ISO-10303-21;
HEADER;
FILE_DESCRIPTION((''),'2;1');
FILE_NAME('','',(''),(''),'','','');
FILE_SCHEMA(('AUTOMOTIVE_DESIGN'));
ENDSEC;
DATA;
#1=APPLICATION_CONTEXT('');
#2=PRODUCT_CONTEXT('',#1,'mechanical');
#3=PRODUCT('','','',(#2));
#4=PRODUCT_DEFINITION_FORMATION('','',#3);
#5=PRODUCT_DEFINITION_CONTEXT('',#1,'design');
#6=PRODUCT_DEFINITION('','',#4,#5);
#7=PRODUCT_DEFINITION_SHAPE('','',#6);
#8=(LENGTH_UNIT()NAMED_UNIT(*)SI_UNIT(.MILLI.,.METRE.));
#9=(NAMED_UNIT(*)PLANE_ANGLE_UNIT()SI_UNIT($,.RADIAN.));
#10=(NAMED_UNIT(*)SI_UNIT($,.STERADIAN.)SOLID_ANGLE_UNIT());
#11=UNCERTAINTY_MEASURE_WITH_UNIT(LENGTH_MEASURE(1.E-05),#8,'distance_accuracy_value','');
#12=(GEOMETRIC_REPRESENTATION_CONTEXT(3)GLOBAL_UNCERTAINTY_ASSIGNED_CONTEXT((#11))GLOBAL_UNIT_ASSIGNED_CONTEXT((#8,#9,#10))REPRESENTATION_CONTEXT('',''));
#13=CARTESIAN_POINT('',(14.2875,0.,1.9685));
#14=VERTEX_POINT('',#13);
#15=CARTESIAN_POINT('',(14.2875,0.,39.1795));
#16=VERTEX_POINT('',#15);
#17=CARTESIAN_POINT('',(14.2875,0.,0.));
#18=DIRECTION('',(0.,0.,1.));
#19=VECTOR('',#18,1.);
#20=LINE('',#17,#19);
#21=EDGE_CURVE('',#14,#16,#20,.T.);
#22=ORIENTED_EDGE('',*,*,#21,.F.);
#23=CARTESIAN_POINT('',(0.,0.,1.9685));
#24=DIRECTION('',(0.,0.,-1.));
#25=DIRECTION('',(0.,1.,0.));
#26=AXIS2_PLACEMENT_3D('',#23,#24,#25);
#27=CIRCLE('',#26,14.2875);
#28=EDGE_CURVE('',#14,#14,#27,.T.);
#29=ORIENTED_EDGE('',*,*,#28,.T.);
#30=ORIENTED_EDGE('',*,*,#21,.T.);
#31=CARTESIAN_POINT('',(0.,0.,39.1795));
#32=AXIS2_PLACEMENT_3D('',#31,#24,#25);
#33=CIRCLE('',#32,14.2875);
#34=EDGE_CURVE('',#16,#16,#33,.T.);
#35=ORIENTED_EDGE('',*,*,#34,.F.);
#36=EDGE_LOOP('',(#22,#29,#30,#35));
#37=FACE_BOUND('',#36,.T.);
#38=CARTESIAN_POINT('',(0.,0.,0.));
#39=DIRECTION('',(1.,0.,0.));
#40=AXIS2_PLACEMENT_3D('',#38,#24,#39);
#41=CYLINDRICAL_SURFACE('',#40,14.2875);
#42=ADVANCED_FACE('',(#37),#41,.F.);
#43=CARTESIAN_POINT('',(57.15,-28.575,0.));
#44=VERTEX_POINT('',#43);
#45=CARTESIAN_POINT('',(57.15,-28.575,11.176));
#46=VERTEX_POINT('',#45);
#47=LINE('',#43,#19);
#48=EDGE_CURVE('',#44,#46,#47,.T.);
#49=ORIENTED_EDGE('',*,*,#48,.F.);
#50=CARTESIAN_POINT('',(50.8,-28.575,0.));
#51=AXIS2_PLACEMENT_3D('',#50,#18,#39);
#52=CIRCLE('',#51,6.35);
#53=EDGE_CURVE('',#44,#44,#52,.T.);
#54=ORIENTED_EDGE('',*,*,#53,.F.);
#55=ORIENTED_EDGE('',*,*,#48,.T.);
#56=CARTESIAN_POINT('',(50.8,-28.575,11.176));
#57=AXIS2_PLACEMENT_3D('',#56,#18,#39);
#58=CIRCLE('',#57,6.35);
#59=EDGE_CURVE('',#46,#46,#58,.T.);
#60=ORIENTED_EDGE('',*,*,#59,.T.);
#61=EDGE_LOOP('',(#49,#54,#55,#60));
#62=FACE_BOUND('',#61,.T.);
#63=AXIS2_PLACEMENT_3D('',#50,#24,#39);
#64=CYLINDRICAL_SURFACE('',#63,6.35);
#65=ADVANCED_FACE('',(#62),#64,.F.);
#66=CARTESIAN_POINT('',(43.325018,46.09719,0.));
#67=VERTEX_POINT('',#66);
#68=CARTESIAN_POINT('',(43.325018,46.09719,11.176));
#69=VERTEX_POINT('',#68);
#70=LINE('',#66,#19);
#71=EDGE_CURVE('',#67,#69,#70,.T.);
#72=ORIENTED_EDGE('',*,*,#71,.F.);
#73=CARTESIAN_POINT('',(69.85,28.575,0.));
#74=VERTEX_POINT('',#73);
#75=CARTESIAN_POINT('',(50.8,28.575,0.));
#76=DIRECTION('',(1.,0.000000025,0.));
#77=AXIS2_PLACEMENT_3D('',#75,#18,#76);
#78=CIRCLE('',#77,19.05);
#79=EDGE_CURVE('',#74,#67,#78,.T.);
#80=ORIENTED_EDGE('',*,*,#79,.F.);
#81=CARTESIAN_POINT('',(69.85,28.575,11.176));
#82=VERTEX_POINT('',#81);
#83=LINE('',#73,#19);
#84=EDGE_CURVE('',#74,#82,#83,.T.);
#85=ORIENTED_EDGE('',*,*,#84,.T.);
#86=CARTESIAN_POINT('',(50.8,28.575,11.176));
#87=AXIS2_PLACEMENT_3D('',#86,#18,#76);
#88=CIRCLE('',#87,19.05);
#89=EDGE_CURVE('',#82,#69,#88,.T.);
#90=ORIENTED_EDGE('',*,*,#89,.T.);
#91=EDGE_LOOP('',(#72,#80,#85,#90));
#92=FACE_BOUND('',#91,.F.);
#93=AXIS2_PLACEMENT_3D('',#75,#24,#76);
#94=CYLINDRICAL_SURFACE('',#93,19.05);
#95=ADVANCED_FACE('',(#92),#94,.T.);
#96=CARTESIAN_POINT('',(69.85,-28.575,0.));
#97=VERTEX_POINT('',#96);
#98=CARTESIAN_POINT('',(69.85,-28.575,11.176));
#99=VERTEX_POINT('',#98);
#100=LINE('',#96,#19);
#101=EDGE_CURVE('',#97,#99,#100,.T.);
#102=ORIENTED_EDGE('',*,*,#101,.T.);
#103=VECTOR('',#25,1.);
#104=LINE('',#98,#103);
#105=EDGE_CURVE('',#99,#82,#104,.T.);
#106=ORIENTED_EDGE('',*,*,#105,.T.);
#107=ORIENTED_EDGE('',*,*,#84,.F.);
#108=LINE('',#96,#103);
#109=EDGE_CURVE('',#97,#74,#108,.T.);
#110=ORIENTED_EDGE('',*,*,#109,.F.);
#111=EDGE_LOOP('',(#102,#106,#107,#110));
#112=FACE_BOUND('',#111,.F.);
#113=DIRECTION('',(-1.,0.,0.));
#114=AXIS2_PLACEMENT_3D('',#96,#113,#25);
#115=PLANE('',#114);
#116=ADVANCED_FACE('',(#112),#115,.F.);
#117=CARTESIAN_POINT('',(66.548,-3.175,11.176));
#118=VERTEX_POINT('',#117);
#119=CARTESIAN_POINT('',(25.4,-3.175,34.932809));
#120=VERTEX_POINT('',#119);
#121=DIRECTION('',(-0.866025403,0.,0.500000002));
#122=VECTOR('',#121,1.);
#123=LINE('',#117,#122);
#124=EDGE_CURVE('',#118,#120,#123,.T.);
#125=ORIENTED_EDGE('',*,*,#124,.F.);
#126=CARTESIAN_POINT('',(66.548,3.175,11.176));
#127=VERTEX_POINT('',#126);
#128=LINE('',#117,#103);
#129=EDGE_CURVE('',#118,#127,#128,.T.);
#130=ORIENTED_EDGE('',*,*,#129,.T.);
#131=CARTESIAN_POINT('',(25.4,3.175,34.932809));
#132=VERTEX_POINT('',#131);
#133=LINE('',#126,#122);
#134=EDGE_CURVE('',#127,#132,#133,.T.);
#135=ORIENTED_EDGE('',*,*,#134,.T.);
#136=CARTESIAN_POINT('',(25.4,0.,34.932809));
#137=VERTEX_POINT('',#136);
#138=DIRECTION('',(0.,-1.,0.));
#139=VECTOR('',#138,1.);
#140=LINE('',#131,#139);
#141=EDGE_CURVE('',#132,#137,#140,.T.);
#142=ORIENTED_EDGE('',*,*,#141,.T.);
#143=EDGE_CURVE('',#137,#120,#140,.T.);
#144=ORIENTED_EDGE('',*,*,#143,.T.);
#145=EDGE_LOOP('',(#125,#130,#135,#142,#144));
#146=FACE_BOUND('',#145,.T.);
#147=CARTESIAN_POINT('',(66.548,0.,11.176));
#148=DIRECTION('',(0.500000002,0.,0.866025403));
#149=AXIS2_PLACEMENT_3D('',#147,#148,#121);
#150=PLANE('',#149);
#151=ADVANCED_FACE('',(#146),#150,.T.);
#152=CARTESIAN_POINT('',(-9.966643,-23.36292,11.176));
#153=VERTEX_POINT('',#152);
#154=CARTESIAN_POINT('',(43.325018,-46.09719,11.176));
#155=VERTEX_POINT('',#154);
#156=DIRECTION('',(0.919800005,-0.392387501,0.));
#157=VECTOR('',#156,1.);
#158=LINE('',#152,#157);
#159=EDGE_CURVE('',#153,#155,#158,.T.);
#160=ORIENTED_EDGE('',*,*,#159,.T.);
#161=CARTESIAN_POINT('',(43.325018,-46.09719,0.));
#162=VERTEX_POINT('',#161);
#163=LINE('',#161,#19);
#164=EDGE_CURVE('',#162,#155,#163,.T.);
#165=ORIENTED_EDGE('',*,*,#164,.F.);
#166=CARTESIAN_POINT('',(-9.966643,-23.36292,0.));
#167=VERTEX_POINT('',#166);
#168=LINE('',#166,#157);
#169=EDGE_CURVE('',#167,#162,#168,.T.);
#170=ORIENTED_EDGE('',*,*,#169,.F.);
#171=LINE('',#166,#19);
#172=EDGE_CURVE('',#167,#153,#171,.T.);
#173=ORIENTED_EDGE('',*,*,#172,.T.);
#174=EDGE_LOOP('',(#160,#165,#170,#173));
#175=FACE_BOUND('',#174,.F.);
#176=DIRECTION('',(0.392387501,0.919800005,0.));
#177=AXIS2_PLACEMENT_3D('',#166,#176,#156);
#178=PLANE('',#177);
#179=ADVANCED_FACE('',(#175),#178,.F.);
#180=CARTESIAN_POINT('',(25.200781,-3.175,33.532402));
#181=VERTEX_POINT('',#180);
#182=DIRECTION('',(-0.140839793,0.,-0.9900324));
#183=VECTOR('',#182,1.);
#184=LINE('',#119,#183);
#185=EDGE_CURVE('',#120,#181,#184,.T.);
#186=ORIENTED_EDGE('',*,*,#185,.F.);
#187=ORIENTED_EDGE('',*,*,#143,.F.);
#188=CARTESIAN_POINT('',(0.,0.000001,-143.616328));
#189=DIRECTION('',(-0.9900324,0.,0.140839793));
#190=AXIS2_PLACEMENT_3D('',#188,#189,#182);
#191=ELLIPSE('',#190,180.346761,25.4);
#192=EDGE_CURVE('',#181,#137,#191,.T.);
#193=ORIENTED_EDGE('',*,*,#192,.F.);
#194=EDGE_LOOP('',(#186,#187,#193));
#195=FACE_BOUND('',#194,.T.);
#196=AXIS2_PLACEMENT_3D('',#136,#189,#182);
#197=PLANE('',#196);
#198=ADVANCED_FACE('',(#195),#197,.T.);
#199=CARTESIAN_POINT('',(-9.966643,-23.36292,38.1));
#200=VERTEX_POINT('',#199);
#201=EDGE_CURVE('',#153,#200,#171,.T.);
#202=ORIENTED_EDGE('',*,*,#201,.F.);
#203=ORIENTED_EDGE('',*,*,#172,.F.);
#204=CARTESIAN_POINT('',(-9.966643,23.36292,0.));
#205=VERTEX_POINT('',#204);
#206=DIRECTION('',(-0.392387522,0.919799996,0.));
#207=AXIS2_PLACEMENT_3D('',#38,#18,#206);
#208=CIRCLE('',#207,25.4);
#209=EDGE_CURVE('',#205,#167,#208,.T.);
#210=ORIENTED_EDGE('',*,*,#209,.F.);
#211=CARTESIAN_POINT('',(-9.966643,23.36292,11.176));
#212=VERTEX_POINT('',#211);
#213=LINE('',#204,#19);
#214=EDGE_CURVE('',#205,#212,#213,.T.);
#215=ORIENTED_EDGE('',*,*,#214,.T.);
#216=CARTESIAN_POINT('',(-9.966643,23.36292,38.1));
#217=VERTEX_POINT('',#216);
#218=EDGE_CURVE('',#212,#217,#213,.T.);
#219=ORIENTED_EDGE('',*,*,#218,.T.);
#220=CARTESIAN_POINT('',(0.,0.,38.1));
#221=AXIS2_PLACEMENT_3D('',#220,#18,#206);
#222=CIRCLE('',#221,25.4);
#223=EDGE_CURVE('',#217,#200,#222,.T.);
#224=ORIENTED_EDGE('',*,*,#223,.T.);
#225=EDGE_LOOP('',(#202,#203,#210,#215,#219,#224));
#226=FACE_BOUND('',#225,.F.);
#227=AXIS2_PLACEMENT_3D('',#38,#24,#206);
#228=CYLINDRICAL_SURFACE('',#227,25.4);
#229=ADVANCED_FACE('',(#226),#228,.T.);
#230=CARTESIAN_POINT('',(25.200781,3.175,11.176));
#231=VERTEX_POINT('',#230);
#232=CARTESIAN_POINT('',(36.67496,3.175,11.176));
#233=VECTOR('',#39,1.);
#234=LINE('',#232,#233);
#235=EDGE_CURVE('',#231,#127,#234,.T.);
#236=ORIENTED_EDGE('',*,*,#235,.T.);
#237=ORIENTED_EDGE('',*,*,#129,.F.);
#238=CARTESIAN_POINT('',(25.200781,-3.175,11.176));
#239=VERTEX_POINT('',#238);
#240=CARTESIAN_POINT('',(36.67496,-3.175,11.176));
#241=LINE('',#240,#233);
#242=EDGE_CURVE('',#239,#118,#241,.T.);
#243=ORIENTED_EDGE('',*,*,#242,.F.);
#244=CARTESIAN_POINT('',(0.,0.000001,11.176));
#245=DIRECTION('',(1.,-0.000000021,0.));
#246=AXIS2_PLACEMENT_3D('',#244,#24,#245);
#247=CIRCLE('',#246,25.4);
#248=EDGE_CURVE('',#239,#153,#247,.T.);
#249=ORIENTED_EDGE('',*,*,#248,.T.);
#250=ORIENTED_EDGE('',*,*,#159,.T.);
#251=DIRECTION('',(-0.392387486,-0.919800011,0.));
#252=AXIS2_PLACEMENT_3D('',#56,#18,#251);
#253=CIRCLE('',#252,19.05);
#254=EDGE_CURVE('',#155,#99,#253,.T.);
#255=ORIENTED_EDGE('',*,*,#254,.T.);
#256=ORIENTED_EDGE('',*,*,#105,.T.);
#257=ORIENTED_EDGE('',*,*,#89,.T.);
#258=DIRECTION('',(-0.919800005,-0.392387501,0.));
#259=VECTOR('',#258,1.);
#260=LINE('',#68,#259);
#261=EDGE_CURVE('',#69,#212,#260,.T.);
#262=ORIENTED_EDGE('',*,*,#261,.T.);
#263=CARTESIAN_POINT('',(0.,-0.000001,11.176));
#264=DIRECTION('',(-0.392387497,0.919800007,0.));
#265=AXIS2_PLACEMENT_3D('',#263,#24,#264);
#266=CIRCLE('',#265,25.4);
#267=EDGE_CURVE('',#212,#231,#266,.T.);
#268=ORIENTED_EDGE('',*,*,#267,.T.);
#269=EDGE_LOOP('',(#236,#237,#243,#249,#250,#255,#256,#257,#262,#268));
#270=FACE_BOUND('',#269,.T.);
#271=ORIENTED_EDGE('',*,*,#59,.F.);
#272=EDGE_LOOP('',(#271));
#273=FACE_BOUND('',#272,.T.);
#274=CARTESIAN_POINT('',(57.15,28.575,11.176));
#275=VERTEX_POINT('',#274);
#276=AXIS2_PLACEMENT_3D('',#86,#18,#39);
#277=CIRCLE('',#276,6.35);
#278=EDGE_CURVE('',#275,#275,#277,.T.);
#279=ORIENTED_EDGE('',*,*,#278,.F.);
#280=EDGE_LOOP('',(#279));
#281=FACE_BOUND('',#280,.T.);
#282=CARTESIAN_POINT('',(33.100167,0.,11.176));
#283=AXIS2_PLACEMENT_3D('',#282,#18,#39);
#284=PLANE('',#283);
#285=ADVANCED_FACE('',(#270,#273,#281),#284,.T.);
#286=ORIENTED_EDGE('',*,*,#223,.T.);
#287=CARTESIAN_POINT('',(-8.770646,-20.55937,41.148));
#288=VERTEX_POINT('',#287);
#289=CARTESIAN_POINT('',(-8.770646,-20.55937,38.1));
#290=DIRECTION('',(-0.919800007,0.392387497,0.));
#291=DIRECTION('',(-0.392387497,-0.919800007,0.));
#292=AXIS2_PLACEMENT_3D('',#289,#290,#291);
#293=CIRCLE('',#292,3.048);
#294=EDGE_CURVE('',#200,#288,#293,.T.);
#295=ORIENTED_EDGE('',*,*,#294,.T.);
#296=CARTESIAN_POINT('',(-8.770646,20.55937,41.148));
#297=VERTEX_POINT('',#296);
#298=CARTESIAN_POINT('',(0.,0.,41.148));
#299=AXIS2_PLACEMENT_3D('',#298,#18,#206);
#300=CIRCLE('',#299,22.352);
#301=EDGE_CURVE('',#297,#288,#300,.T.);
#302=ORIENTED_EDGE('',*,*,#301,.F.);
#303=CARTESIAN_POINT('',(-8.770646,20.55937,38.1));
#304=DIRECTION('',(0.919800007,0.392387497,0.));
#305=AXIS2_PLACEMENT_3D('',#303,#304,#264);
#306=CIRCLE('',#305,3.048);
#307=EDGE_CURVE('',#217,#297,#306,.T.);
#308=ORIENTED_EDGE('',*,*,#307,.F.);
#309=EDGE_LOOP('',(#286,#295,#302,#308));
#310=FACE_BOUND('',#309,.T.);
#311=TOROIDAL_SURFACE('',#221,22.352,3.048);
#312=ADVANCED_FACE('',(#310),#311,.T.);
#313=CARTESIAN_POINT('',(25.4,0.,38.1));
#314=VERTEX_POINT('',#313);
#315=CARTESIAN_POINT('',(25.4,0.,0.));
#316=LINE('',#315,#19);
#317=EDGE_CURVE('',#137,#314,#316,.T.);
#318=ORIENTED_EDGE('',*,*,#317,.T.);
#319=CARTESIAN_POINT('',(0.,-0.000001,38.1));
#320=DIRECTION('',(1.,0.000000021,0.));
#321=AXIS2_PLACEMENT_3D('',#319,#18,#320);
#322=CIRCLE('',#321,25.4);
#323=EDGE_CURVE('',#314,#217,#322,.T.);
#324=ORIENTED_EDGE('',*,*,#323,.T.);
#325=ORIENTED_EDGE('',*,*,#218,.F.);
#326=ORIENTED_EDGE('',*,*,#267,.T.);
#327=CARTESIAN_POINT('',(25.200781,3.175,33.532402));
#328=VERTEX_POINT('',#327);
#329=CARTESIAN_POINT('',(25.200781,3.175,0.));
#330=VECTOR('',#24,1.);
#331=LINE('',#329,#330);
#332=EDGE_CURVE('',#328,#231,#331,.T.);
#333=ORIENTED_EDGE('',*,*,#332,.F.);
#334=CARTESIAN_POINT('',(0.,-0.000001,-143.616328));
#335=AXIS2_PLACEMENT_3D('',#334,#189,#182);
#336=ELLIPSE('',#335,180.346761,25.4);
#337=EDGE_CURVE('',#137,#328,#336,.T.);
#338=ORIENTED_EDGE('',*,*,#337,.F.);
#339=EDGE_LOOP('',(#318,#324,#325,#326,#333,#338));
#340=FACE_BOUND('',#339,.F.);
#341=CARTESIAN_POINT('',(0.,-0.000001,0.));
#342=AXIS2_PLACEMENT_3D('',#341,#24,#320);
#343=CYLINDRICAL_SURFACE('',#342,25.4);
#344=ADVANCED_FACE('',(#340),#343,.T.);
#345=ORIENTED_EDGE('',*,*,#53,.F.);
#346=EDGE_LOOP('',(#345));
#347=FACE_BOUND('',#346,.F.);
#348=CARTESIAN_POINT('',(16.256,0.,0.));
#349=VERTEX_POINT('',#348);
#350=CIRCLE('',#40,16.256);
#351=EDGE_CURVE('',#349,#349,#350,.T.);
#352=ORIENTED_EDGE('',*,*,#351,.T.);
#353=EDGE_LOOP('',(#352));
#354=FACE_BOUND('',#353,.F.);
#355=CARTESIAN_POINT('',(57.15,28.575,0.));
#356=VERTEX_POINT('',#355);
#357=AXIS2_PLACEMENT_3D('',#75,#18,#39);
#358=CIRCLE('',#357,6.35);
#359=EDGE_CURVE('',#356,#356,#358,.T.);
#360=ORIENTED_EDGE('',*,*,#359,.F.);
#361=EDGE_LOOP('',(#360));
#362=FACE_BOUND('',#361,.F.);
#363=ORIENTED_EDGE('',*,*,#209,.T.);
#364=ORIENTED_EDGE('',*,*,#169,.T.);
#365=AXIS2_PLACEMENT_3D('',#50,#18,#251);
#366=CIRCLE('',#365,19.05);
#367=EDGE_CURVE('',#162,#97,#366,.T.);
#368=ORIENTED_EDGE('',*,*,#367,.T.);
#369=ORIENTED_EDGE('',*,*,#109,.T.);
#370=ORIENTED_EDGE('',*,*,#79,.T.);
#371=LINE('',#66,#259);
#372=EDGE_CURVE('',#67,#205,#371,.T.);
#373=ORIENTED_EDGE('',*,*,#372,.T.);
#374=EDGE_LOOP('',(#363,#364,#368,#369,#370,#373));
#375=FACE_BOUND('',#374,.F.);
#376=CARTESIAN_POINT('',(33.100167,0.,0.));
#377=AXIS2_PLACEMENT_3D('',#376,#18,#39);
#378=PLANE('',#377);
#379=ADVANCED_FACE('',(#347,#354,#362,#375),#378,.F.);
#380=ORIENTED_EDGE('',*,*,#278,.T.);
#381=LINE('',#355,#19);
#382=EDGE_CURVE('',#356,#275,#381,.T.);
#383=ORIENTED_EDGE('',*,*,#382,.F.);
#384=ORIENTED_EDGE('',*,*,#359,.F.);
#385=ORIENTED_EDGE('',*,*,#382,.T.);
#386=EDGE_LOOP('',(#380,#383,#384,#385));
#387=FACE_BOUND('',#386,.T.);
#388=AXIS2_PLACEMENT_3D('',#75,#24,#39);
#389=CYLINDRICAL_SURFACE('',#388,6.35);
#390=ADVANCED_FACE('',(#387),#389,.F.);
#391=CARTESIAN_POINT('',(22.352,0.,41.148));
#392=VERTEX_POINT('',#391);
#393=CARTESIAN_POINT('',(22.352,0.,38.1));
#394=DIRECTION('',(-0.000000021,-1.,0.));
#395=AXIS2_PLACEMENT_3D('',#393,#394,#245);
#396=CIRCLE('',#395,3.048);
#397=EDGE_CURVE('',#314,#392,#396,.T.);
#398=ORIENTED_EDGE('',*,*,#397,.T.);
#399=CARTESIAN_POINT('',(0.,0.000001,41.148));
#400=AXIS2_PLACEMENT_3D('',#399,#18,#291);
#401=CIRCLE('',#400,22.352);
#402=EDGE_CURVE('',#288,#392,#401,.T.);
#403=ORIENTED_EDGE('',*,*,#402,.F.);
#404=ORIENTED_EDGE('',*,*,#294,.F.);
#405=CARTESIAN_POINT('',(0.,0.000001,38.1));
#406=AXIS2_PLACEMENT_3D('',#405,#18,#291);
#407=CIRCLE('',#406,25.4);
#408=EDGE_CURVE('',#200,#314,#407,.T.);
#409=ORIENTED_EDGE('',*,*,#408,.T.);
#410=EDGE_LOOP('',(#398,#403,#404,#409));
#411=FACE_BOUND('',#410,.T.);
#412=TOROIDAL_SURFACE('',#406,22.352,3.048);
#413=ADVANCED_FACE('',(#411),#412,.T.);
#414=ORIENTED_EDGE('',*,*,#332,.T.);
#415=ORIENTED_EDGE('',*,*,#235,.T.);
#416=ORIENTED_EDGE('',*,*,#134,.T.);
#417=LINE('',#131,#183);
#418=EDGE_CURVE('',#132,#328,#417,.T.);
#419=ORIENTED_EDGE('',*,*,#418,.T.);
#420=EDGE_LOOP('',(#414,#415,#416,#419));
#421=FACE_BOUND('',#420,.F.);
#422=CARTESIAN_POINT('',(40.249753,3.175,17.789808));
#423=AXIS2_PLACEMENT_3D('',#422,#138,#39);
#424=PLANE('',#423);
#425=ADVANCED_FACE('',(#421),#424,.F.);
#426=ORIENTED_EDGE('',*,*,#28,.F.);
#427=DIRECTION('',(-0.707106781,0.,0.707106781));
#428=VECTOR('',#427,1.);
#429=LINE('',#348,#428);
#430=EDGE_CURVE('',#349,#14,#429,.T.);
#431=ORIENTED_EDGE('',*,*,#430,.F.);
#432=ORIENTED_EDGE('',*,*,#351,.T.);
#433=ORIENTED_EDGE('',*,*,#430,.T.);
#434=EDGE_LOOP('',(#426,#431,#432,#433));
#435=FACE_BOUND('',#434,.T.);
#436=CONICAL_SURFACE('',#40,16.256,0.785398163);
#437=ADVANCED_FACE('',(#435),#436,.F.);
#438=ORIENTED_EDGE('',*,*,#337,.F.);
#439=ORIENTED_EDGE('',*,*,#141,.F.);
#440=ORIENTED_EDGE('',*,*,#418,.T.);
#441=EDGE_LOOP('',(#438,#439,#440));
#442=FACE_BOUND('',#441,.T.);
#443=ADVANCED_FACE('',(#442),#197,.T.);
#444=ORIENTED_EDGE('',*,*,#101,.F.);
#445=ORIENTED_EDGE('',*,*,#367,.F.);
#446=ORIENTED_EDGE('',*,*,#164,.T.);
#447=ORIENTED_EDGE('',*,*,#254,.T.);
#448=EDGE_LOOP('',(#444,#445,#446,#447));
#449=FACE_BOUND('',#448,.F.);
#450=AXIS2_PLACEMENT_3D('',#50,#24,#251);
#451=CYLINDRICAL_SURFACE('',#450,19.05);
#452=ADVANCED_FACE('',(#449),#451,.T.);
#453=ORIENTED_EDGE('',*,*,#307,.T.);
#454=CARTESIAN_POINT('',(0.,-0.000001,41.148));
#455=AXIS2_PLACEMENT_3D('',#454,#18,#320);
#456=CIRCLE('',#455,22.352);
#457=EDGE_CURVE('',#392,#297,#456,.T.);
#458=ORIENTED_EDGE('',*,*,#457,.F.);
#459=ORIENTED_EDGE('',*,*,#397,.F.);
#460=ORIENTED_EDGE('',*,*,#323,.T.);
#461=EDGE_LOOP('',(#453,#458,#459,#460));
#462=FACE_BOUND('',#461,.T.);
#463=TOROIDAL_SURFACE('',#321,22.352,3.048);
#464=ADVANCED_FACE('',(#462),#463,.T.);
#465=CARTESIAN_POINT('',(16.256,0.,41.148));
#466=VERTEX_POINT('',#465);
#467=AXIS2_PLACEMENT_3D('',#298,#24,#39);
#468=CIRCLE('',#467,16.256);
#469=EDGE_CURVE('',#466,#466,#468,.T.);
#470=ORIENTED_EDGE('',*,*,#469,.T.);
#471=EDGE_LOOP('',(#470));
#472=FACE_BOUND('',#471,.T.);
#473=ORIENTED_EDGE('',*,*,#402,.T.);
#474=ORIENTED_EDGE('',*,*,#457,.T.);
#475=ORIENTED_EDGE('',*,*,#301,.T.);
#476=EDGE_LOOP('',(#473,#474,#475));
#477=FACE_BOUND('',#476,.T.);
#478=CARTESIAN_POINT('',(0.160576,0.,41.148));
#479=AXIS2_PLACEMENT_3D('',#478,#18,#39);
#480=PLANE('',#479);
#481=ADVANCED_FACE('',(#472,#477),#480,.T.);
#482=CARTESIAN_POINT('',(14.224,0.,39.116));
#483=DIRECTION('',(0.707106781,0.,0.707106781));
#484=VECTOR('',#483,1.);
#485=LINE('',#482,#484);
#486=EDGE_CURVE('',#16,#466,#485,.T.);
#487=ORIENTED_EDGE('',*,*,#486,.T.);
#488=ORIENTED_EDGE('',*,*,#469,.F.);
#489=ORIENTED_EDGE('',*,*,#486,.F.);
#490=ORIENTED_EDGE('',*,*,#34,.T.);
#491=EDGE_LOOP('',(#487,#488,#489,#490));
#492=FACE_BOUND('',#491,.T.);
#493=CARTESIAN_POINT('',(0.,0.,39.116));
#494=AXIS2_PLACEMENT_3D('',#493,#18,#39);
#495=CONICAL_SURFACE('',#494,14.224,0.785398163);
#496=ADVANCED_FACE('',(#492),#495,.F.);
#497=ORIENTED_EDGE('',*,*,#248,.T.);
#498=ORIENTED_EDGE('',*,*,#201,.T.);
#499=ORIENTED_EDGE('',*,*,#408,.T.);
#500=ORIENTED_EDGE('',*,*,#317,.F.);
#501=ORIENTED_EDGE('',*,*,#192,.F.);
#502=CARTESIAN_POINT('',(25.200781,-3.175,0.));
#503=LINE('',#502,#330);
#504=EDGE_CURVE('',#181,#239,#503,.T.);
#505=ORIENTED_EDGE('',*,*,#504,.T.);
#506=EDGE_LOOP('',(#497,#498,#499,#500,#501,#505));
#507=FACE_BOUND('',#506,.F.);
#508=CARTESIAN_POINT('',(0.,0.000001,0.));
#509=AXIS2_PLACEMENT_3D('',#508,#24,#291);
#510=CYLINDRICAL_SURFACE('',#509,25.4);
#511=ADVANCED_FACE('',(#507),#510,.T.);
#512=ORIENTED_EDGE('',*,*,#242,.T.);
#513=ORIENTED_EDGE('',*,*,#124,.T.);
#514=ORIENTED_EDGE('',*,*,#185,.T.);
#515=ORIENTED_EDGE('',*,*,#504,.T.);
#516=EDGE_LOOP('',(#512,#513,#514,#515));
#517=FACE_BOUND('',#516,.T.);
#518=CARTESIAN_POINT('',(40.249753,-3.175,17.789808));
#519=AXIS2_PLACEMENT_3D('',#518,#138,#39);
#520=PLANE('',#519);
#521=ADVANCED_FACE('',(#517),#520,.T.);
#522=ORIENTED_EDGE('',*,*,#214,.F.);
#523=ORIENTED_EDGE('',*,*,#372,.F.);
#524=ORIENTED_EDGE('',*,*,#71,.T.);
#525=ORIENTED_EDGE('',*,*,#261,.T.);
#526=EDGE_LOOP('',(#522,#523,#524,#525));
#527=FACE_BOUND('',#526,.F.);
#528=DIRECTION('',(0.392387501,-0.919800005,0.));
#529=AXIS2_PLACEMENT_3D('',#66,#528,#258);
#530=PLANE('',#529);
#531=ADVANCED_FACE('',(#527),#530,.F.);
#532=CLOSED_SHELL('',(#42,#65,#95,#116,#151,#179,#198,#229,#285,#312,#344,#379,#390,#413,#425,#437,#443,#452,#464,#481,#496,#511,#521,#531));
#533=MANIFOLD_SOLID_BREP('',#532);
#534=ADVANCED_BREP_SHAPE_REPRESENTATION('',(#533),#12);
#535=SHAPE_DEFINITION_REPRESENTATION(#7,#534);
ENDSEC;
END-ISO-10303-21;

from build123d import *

# Parameters (mm, degrees)
F0_R     = 14.2875
F1_DEPTH = 41.148
F0_R_2   = 6.35
F2_DEPTH = 11.176
F6_DEPTH = 3.175
F7_R     = 3.048


with BuildPart() as f1:
    # F0 (on Top) → F1 (new body)
    with BuildSketch(Plane.XY):
        with BuildLine():
            ThreePointArc((-9.966643, -23.36292), (14.00013, -21.193309), (25.4, 0))
            ThreePointArc((25.4, 0), (14.00013, 21.193309), (-9.966643, 23.36292))
            ThreePointArc((-9.966643, 23.36292), (-25.4, 0), (-9.966643, -23.36292))
        make_face()
        Circle(F0_R, mode=Mode.SUBTRACT)
    extrude(amount=F1_DEPTH)

    # F0 (on Top) → F2 (join)
    with BuildSketch(Plane.XY):
        with BuildLine():
            ThreePointArc((-9.966643, 23.36292), (14.00013, 21.193309), (25.4, 0))
            ThreePointArc((25.4, 0), (14.00013, -21.193309), (-9.966643, -23.36292))
            Line((-9.966643, -23.36292), (43.325018, -46.09719))
            ThreePointArc((43.325018, -46.09719), (61.300097, -44.469982), (69.85, -28.575))
            Line((69.85, -28.575), (69.85, 28.575))
            ThreePointArc((69.85, 28.575), (61.300097, 44.469982), (43.325018, 46.09719))
            Line((43.325018, 46.09719), (-9.966643, 23.36292))
        make_face()
        with Locations((50.8, -28.575)):
            Circle(F0_R_2, mode=Mode.SUBTRACT)
        with Locations((50.8, 28.575)):
            Circle(F0_R_2, mode=Mode.SUBTRACT)
    extrude(amount=F2_DEPTH)

    # F3 (on Front) → F4 (revolve, cut)
    with BuildSketch(Plane.XZ):
        Polygon((0, 41.148), (0, 0), (14.2875, 0), (16.256, 0), (14.224, 2.032), (14.224, 39.116), (16.256, 41.148), align=None)
    revolve(axis=Axis((0, 0, 20.574), (0, 0, -1)), mode=Mode.SUBTRACT)

    # F5 (on Front) → F6 (join, symmetric)
    with BuildSketch(Plane.XZ):
        Polygon((66.548, 11.176), (25.4, 34.932809), (21.651473, 8.582563), align=None)
    extrude(amount=F6_DEPTH, both=True)

    # F7
    f7_edges = [f1.edges().sort_by_distance(p)[0] for p in [
        (9.966643, -23.36292, 41.148),
    ]]
    fillet(f7_edges, radius=F7_R)


solid = f1.part
